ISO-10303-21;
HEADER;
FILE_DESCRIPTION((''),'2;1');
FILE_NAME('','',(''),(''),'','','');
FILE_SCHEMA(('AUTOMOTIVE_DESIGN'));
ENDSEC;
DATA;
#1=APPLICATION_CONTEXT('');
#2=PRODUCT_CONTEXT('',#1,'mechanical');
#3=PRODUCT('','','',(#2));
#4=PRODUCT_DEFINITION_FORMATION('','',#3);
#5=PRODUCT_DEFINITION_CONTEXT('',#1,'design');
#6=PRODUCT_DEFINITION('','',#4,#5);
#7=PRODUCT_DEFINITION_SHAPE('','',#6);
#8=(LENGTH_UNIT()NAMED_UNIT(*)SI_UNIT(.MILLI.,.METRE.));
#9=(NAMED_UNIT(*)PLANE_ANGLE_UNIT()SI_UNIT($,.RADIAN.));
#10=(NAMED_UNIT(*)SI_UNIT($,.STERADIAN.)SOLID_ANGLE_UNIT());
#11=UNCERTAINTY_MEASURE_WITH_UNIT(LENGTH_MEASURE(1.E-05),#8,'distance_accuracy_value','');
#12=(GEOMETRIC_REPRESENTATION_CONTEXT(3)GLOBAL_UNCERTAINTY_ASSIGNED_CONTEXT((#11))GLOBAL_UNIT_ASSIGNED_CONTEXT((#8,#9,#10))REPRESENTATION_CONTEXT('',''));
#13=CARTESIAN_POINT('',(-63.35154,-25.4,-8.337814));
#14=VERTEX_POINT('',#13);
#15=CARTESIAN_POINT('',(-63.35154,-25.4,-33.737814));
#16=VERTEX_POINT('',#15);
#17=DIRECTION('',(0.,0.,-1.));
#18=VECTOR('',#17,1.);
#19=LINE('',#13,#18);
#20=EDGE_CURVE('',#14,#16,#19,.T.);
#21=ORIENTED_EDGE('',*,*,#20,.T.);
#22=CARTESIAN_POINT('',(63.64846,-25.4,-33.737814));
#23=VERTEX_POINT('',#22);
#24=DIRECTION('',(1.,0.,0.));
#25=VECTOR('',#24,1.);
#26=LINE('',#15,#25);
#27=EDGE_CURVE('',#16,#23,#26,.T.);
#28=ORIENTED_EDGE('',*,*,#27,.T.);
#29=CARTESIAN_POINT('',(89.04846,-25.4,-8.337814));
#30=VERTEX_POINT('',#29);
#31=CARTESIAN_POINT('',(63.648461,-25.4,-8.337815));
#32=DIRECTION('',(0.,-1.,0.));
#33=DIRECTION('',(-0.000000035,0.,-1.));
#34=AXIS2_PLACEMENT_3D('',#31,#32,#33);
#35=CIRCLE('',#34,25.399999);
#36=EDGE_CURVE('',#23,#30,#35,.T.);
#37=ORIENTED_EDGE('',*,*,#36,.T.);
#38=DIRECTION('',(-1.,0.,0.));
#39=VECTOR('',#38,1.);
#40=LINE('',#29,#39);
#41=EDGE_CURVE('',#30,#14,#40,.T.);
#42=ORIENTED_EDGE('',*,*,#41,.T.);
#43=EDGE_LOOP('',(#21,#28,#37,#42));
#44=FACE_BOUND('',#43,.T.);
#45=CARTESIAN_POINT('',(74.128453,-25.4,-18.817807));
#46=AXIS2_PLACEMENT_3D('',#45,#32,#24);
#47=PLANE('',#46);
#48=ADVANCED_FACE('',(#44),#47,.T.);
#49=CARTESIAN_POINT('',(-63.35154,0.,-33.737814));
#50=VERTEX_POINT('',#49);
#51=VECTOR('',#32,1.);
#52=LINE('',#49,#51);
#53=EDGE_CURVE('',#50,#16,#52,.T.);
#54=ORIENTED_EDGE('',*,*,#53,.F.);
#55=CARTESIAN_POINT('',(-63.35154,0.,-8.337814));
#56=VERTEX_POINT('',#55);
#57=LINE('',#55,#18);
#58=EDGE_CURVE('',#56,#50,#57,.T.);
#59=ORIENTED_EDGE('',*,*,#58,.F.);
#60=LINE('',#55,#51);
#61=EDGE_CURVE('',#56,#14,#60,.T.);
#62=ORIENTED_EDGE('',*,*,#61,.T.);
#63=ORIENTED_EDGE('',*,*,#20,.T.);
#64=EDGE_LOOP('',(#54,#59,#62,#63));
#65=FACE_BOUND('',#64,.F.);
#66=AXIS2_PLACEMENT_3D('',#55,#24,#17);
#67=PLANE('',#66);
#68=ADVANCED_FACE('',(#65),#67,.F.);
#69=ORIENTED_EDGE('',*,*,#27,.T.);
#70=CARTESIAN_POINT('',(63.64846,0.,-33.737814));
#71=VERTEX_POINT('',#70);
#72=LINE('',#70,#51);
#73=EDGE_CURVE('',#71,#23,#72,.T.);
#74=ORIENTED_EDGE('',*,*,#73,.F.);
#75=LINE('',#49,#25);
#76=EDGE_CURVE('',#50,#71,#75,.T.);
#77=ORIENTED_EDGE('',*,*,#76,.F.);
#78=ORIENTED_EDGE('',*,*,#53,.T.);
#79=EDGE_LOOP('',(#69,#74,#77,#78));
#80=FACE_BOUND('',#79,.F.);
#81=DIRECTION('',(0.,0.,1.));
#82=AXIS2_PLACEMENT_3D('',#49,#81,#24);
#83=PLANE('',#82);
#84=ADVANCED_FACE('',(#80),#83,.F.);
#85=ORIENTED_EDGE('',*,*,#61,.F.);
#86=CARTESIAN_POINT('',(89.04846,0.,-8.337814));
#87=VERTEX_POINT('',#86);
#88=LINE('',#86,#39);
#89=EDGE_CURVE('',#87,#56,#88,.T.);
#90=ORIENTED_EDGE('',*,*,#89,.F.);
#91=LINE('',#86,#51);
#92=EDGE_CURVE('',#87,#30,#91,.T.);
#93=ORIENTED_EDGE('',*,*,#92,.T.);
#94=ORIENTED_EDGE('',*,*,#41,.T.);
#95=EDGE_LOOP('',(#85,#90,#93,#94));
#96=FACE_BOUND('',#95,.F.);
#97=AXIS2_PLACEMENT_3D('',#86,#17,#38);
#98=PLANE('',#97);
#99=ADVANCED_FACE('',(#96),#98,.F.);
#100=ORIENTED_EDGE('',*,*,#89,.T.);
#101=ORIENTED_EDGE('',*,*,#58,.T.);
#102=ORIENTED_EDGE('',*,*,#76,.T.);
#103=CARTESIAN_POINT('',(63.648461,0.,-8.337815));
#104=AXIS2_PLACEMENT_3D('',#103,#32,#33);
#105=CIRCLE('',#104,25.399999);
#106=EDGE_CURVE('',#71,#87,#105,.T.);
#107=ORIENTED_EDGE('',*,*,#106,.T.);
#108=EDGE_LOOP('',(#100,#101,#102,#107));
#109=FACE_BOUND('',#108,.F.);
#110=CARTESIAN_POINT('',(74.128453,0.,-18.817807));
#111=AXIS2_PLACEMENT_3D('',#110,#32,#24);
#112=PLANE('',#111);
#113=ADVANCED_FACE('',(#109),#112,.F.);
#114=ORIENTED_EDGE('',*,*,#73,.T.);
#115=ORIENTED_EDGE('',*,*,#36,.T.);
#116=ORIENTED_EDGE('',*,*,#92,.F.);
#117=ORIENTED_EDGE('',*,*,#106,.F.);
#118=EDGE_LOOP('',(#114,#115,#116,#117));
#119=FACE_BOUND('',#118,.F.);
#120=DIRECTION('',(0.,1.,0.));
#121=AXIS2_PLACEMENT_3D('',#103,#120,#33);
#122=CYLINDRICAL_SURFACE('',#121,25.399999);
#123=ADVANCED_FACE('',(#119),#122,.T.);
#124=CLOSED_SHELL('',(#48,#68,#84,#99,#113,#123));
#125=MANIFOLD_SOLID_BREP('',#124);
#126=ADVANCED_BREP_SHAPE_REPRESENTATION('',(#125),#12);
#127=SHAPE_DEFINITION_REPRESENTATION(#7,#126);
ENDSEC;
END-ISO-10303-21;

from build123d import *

# Parameters (mm, degrees)
F1_DEPTH = 25.4


with BuildPart() as f1:
    # F0 (on Front) → F1 (new body)
    with BuildSketch(Plane.XZ):
        with BuildLine():
            Line((89.04846, -8.337814), (63.64846, -8.337814))
            Line((63.64846, -8.337814), (63.64846, -11.530825))
            Line((63.64846, -11.530825), (63.64846, -33.737814))
            ThreePointArc((63.64846, -33.737814), (81.608973, -26.298326), (89.04846, -8.337814))
        make_face()
        Polygon((63.64846, -8.337814), (-63.35154, -8.337814), (-63.35154, -33.737814), (63.64846, -33.737814), (63.64846, -11.530825), align=None)
    extrude(amount=F1_DEPTH)


solid = f1.part
